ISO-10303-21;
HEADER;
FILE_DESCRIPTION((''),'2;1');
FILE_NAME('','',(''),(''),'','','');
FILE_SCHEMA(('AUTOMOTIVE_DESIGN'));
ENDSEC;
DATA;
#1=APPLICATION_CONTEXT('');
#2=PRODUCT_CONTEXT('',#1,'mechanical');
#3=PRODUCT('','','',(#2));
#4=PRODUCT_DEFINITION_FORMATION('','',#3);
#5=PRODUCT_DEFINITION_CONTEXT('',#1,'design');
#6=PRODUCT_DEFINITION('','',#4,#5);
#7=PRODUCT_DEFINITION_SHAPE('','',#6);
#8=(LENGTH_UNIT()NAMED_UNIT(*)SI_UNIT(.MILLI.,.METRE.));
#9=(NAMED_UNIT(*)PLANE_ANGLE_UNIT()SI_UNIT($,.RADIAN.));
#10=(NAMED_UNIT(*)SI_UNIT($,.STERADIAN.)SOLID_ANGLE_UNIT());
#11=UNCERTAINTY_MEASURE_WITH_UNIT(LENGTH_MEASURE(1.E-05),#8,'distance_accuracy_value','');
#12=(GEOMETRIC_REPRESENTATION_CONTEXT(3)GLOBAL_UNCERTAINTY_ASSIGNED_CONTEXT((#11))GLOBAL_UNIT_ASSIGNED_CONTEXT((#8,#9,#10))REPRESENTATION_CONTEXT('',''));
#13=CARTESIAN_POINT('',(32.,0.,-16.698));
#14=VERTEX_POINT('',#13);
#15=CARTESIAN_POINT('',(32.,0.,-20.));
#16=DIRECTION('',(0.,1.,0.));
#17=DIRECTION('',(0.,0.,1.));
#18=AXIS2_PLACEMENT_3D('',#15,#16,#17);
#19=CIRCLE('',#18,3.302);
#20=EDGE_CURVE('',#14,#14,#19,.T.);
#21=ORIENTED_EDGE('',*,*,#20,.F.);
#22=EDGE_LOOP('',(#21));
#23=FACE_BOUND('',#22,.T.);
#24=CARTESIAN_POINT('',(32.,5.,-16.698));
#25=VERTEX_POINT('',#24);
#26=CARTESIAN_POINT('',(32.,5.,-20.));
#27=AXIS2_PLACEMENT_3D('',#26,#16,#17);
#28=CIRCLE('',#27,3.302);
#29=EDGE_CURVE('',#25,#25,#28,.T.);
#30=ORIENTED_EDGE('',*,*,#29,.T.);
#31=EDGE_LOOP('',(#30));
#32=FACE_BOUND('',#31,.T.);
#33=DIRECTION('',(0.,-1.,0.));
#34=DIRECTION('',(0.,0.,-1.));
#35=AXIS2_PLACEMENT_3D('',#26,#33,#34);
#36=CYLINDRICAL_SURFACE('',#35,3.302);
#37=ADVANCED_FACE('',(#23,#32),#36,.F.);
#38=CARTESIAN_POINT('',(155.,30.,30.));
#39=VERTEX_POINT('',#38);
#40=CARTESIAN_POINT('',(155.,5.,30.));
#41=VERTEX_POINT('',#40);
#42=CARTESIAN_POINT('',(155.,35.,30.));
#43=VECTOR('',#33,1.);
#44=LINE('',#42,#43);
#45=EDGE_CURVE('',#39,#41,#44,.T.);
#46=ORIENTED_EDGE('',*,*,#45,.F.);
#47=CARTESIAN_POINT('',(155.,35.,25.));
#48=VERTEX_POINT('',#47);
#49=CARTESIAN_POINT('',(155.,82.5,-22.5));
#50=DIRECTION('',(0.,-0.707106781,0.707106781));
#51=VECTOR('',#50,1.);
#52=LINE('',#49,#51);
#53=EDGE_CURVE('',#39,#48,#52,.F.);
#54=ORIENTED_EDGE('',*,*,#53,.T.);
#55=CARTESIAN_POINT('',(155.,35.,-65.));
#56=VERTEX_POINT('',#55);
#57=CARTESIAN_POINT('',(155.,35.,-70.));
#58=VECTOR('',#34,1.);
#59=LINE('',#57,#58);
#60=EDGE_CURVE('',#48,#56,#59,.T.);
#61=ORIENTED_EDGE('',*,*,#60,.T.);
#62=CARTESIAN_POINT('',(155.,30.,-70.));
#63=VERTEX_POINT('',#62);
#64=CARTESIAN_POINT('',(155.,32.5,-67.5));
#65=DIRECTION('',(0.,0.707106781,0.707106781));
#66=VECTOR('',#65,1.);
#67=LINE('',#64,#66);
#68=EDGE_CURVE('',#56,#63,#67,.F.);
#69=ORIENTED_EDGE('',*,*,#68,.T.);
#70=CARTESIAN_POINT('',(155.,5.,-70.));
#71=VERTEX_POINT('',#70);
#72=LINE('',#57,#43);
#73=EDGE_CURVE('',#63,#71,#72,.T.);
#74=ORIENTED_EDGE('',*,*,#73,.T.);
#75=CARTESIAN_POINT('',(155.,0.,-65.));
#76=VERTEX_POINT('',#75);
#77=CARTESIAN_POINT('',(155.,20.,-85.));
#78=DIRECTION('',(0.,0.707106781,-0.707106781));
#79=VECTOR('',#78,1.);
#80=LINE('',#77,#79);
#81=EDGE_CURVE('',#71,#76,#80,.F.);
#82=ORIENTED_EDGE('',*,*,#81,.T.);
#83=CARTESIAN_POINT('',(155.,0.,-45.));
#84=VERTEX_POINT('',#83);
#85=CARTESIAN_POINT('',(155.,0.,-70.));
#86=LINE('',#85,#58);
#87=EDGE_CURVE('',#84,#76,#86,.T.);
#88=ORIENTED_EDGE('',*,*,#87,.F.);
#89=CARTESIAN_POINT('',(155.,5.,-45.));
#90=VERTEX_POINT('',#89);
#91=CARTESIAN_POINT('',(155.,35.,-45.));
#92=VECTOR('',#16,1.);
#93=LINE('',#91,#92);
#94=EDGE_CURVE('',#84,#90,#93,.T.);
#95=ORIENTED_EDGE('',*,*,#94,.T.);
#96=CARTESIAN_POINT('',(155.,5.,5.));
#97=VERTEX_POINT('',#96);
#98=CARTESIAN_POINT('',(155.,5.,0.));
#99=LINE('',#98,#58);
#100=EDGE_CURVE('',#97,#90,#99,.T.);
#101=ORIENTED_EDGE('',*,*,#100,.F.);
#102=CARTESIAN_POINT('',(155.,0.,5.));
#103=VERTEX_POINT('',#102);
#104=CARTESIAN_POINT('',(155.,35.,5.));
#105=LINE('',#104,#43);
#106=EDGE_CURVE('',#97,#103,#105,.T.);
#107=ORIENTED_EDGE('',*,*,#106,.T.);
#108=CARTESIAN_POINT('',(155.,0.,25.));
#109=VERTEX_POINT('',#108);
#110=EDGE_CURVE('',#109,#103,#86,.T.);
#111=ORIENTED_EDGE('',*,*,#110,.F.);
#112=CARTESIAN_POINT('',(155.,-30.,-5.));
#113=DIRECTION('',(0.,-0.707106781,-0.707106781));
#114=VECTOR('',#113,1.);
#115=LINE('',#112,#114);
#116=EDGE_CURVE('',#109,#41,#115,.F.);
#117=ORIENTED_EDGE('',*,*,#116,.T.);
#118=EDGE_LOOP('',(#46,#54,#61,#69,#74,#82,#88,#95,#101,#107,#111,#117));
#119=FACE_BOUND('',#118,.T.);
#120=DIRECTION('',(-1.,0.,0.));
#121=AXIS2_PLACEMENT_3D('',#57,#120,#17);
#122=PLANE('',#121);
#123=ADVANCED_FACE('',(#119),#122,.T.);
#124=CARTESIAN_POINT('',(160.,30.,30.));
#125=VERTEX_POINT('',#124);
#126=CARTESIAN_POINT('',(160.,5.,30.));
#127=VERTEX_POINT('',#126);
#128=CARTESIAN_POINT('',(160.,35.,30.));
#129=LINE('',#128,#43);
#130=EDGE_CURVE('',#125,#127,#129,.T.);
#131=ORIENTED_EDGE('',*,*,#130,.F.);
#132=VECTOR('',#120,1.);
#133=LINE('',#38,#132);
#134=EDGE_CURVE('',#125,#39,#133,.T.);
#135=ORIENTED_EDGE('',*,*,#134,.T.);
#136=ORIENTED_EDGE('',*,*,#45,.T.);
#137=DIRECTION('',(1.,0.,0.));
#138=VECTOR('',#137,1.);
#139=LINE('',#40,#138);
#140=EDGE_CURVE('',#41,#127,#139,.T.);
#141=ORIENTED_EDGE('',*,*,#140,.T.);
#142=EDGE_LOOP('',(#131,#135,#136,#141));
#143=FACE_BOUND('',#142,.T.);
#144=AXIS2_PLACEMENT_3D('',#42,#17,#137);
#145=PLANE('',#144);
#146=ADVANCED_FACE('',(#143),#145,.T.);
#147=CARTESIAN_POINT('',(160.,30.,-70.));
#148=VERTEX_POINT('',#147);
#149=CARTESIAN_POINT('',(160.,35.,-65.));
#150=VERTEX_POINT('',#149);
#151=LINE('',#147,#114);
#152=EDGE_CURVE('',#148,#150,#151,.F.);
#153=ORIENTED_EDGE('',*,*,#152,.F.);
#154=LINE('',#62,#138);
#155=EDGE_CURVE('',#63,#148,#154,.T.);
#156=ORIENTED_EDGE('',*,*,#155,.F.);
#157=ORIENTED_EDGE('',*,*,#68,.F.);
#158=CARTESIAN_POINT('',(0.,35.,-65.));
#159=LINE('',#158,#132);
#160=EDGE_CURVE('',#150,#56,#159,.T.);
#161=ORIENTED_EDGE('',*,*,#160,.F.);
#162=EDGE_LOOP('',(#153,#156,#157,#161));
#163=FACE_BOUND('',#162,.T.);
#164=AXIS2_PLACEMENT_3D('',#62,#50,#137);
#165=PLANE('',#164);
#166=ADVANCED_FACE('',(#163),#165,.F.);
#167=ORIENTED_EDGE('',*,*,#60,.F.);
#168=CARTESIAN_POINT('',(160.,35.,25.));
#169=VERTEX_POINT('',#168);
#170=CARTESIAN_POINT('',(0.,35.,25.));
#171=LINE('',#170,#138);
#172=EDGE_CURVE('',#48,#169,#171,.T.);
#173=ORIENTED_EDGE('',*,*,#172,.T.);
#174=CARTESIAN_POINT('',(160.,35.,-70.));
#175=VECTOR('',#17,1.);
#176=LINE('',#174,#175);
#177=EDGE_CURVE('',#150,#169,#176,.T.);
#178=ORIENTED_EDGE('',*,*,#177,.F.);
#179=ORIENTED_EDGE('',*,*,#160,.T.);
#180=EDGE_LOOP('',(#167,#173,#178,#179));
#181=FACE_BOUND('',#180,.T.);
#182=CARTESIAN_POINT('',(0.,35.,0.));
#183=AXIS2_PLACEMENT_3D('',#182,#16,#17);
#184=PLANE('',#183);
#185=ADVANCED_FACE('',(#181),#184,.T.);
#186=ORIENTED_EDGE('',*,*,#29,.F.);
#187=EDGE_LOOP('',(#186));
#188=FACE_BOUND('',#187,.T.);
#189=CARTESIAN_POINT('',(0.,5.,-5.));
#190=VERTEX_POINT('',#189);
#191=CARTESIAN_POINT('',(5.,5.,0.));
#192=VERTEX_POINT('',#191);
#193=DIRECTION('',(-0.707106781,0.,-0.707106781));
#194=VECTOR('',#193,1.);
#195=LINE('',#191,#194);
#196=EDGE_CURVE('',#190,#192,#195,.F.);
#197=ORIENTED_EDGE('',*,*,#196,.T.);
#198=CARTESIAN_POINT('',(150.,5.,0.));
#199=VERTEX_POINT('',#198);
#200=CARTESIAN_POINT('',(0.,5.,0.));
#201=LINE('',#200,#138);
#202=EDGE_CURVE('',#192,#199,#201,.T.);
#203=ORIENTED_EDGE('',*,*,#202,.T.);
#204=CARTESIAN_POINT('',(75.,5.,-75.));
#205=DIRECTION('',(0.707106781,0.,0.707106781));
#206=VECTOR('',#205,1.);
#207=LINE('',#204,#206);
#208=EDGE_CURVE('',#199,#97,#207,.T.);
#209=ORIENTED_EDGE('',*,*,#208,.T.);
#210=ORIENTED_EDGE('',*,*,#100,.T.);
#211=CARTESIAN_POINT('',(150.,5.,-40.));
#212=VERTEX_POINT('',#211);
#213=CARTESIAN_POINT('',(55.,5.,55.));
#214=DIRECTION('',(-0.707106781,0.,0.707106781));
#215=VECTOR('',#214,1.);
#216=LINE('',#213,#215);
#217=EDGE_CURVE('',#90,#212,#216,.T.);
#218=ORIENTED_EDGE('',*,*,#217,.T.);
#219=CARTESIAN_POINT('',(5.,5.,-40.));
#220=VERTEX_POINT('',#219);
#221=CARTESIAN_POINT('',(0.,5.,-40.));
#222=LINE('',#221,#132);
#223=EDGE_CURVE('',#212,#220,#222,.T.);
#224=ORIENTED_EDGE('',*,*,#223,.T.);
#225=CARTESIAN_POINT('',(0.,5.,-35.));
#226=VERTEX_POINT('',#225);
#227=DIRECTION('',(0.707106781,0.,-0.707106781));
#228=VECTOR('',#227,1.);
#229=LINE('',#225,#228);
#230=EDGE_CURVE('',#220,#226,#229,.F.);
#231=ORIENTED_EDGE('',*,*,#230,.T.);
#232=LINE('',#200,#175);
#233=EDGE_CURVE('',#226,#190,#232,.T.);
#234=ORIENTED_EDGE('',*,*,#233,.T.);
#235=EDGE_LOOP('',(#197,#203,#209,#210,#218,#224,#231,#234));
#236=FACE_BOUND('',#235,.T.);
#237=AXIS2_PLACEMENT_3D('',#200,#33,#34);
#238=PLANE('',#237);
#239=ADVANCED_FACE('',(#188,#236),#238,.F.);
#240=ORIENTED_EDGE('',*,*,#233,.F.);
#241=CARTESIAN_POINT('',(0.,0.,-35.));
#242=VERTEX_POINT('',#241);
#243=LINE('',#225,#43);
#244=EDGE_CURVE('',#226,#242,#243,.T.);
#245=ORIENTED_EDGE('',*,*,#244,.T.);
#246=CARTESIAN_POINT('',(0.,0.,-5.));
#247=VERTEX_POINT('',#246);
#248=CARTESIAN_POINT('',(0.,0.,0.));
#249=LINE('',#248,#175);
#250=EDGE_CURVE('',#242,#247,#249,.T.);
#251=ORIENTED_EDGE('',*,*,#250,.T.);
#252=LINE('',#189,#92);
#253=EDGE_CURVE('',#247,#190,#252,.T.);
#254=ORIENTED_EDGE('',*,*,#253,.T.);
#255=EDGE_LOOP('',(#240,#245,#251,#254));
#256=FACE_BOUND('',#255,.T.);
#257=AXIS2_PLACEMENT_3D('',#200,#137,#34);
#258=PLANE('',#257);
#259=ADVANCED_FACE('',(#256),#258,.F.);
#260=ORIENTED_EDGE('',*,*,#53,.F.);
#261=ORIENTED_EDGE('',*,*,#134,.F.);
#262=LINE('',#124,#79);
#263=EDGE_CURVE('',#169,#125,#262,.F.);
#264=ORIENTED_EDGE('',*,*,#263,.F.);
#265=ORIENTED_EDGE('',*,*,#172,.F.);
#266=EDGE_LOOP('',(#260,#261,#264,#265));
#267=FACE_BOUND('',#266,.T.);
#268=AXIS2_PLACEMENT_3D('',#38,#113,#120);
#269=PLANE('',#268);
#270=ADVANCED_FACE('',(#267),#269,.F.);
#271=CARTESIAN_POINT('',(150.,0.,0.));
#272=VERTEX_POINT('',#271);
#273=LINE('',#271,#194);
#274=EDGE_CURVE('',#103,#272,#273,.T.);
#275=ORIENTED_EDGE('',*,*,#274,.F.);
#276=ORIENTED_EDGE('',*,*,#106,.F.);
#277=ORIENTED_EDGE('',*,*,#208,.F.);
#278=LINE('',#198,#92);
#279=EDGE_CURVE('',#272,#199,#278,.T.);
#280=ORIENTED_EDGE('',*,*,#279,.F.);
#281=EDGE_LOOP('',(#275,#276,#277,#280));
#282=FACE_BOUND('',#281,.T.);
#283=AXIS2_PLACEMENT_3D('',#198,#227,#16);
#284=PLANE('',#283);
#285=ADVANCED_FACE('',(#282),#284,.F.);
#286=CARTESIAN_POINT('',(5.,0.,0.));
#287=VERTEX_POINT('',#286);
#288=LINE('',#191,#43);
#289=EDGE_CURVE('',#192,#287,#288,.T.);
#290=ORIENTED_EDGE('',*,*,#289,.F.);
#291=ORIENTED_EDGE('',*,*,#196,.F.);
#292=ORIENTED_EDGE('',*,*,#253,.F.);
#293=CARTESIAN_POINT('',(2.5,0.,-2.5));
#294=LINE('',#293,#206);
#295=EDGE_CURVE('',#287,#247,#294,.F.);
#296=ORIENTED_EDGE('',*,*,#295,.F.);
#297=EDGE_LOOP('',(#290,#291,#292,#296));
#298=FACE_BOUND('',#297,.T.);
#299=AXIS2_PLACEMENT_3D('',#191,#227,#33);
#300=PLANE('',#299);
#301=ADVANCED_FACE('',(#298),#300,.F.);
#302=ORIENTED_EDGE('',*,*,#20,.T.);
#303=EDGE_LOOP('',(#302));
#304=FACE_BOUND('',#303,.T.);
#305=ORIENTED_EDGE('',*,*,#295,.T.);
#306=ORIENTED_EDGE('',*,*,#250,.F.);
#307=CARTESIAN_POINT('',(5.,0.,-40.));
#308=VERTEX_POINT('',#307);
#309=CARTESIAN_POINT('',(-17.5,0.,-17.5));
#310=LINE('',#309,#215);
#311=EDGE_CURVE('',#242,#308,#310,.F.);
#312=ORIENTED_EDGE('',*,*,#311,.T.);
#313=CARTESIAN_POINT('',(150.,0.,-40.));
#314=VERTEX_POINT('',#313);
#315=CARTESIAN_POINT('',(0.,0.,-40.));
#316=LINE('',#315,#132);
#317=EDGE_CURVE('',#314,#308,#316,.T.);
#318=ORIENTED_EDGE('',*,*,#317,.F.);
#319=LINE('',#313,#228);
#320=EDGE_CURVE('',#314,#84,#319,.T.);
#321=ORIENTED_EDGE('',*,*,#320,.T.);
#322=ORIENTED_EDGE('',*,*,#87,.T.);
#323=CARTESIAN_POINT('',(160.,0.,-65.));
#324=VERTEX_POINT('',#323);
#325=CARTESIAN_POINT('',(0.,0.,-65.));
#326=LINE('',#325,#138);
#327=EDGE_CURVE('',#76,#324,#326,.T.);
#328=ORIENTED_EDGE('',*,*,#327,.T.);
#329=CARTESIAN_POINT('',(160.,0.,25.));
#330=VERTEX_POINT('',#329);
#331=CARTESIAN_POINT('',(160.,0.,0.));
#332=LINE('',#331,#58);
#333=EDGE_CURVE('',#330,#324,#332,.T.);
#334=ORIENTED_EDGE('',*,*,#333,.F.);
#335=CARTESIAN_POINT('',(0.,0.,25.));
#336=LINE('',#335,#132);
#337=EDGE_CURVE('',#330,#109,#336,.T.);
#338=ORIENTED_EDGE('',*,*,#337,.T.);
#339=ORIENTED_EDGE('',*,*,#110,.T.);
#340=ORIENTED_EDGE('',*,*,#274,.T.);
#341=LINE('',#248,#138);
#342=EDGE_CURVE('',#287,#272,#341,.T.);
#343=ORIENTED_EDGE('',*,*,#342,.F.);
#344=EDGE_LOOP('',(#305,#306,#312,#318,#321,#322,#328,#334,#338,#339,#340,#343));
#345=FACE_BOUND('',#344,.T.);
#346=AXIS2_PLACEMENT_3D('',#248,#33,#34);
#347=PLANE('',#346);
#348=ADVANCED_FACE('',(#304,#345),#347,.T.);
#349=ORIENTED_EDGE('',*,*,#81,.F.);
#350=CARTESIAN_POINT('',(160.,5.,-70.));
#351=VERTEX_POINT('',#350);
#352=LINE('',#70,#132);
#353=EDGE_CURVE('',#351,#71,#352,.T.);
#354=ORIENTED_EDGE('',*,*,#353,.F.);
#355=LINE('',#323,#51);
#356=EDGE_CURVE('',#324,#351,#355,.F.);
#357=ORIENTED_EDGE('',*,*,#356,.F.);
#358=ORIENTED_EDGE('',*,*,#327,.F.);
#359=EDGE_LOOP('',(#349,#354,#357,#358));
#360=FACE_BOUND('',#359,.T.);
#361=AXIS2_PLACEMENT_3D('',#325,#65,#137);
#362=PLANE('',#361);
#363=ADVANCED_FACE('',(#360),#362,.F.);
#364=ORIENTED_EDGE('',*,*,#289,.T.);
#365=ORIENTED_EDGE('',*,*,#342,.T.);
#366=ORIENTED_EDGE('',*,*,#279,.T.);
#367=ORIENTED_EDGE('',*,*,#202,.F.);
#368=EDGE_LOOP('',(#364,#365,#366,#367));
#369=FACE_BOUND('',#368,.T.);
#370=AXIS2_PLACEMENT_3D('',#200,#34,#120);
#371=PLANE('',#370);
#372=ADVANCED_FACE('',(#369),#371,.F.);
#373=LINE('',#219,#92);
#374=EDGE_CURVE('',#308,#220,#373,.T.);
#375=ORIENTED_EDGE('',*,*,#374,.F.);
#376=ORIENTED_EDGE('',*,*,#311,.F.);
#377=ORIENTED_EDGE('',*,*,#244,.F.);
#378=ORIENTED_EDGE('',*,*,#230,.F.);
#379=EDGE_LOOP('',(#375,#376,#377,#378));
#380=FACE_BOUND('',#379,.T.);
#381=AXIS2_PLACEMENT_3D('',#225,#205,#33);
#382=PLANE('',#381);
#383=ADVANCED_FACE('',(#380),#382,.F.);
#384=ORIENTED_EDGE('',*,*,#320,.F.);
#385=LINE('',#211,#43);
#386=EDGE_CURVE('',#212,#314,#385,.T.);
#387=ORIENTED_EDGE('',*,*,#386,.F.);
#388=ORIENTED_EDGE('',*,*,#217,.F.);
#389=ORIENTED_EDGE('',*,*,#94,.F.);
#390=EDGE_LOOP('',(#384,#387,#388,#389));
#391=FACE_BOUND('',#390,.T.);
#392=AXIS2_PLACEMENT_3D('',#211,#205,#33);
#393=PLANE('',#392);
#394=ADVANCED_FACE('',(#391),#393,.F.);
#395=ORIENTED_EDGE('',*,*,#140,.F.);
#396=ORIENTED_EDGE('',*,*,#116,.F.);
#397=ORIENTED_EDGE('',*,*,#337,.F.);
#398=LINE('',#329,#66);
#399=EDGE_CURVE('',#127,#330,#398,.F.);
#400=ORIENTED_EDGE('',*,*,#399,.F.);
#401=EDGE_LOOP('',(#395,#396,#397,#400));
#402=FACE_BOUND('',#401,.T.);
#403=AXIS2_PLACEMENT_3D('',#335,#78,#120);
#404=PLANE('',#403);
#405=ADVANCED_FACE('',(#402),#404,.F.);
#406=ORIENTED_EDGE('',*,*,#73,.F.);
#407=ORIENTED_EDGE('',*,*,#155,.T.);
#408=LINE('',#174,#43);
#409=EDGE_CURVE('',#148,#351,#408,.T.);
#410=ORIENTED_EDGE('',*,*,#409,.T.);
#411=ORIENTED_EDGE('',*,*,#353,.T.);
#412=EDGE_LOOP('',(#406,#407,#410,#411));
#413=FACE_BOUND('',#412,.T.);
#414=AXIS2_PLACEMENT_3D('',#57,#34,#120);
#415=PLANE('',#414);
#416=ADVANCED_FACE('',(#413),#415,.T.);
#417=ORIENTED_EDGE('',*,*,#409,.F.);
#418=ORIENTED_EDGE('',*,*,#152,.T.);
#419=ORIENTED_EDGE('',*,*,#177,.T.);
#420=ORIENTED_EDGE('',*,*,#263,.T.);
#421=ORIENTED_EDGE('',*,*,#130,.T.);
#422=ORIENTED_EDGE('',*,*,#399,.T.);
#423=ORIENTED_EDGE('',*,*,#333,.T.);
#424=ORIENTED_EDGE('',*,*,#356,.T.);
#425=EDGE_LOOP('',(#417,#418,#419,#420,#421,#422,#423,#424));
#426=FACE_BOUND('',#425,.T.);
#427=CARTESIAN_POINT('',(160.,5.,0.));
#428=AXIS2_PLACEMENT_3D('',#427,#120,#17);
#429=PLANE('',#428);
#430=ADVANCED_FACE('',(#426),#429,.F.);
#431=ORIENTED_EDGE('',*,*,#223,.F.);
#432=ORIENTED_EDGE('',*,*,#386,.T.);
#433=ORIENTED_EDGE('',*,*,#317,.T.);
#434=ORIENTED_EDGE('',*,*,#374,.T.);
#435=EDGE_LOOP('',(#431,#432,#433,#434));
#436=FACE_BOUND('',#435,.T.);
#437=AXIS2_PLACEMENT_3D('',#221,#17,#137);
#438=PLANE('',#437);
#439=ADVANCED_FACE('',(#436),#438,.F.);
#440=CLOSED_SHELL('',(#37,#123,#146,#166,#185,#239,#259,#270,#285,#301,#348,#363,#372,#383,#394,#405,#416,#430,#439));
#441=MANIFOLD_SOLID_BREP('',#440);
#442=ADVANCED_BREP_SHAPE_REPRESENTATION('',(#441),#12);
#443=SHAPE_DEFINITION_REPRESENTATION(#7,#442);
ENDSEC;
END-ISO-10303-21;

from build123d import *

# Parameters (mm, degrees)
SKETCH1_W           = 160
SKETCH1_H           = 40
SKETCH1_R           = 3.302
BOSS_EXTRUDE1_DEPTH = 5
SKETCH2_W           = 5
SKETCH2_H           = 100
BOSS_EXTRUDE2_DEPTH = 35
CHAMFER1_SIZE       = 5


with BuildPart() as part:
    # Sketch1 → Boss-Extrude1 (new body)
    with BuildSketch(Plane(origin=(0, 0, 0), x_dir=(1, 0, 0), z_dir=(0, 1, 0))):
        with Locations((80, 20)):
            Rectangle(SKETCH1_W, SKETCH1_H)
        with Locations(Location((32, 20, 0), (0, 0, 270))):
            Circle(SKETCH1_R, mode=Mode.SUBTRACT)
    extrude(amount=BOSS_EXTRUDE1_DEPTH)

    # Sketch2 → Boss-Extrude2 (add)
    with BuildSketch(Plane.XZ):
        with Locations((157.5, -20)):
            Rectangle(SKETCH2_W, SKETCH2_H)
    extrude(amount=-BOSS_EXTRUDE2_DEPTH)

    # Chamfer1
    chamfer1_edges = [part.edges().sort_by_distance(p)[0] for p in [
        (155, 2.5, -40),
        (157.5, 0, 30),
        (157.5, 0, -70),
        (155, 2.5, 0),
        (157.5, 35, 30),
        (157.5, 35, -70),
        (0, 2.5, -40),
        (0, 2.5, 0),
    ]]
    chamfer(chamfer1_edges, length=CHAMFER1_SIZE)


solid = part.part
